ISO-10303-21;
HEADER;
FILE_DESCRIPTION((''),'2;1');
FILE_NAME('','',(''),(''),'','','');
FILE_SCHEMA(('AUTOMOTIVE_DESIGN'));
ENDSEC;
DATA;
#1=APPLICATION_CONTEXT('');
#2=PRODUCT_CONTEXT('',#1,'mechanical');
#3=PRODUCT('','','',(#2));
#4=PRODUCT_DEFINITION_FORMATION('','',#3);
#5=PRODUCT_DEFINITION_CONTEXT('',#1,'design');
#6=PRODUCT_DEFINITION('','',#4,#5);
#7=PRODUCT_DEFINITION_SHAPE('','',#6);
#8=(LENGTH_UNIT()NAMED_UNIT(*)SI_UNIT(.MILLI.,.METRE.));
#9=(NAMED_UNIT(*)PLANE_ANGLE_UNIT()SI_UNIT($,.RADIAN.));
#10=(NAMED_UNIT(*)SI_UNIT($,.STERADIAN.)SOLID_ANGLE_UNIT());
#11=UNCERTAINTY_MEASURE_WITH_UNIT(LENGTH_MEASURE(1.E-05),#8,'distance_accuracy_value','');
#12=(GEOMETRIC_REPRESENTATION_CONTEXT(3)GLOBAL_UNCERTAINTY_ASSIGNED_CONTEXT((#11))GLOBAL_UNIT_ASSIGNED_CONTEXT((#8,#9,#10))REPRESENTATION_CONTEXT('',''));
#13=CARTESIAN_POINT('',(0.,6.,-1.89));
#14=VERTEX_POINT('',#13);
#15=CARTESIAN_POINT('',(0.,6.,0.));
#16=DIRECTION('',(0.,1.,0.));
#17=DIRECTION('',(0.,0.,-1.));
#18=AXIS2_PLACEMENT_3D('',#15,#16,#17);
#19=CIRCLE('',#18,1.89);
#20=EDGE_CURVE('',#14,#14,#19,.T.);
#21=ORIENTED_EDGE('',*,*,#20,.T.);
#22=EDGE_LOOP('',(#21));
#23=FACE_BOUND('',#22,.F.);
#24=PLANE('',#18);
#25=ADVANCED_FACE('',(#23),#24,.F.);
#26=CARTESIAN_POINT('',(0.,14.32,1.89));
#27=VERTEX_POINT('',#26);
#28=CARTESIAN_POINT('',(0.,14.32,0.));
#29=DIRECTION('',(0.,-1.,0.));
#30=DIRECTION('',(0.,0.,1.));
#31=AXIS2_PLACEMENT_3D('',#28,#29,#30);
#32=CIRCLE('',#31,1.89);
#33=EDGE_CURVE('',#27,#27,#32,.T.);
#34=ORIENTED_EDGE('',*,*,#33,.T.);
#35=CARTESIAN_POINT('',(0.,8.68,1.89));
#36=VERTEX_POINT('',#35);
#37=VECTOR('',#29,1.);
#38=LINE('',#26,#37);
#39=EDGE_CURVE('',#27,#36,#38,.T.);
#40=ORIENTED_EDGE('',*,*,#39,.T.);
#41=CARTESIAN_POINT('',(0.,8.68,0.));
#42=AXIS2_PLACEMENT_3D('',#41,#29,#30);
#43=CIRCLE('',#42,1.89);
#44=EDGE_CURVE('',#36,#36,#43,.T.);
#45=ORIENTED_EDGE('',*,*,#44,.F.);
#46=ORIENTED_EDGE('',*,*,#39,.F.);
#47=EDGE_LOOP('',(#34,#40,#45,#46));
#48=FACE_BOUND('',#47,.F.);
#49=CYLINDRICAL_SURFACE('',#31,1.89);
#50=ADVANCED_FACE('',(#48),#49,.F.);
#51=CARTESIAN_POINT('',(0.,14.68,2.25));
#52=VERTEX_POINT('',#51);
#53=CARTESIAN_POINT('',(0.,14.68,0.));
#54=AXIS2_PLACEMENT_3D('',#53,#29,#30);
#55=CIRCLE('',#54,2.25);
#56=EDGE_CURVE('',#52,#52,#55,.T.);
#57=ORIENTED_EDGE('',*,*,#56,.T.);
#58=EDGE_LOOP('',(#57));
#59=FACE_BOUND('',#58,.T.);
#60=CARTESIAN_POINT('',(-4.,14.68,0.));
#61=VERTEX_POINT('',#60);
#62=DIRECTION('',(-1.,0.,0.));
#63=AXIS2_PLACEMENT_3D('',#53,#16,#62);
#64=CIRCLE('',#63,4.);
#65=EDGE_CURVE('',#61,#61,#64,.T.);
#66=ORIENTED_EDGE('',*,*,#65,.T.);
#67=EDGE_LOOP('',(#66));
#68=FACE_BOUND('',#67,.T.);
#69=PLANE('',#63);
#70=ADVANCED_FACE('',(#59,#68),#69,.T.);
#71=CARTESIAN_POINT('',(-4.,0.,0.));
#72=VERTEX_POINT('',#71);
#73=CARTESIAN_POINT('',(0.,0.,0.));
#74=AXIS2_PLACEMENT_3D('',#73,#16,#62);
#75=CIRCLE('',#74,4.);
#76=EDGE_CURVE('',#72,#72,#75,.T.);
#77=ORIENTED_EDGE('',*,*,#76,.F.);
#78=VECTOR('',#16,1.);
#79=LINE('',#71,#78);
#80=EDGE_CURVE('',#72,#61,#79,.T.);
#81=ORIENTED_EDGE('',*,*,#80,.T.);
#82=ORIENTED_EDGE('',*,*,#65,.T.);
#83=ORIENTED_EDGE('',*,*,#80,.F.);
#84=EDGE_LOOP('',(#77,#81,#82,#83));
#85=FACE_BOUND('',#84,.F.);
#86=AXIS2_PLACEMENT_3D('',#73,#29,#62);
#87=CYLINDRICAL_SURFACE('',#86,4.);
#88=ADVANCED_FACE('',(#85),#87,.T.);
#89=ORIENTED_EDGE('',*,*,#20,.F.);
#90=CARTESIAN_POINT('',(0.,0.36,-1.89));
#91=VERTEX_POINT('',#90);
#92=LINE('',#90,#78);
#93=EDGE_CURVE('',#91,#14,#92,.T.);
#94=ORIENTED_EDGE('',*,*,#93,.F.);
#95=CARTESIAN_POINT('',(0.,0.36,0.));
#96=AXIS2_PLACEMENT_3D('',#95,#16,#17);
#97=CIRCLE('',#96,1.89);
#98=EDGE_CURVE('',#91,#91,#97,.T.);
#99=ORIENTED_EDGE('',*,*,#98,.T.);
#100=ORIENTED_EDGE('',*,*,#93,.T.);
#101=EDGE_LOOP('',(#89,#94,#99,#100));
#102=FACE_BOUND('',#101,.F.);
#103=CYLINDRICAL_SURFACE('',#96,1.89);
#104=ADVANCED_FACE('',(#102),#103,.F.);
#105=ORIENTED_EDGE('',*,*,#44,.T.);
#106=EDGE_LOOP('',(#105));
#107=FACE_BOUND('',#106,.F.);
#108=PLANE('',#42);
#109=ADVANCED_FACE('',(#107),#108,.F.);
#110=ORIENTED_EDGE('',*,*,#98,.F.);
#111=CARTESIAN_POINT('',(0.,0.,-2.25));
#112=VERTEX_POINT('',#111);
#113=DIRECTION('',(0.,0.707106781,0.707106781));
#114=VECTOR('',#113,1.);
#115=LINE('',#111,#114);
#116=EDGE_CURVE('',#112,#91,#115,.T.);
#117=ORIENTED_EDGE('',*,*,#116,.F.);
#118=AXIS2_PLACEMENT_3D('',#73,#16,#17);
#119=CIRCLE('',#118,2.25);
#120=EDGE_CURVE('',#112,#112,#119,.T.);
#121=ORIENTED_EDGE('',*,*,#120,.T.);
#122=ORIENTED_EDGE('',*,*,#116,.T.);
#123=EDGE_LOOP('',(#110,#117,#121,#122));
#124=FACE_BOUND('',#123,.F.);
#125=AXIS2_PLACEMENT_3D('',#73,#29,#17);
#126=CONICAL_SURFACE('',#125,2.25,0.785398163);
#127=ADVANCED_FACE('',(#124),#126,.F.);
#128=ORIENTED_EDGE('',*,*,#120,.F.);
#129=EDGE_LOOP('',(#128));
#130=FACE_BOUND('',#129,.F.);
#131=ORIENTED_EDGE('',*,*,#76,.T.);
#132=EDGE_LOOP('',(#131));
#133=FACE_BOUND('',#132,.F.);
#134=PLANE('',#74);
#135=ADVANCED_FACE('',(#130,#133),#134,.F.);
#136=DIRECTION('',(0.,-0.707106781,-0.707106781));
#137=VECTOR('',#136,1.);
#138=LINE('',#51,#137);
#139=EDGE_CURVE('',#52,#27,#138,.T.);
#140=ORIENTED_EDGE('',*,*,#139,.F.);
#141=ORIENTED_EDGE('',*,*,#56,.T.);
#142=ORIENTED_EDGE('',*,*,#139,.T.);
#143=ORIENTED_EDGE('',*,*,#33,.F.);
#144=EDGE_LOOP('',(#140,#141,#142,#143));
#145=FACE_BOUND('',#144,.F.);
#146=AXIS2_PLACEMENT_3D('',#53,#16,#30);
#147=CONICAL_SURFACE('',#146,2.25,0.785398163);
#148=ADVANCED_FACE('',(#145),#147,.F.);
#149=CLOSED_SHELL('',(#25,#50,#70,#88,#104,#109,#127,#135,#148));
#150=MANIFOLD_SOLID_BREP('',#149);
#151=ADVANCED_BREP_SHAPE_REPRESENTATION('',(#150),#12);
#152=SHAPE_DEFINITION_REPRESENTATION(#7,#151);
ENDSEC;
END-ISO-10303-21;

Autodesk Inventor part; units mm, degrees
ref_plane "YZ Plane" through (0, 0, 0) normal (1, 0, 0) x (0, 1, 0)
ref_plane "XZ Plane" through (0, 0, 0) normal (0, 1, 0) x (-1, 0, 0)
ref_plane "XY Plane" through (0, 0, 0) normal (0, 0, 1) x (1, 0, 0)
sketch "Sketch1" plane through (0, 0, 0) normal (0, 1, 0) x (-1, 0, 0)
  circle A0 centre (0, 0) radius 4
  dimension "d0" = 8
extrude "Extrusion1" add sketch "Sketch1" along normal blind 14.68
sketch "Sketch2" plane through (0, 14.68, 0) normal (0, 1, 0) x (1, 0, 0)
  point P0 (0, 0)
sketch "Sketch3" plane through (0, 0, 0) normal (0, -1, 0) x (1, 0, 0)
  point P0 (0, 0)
hole "Hole1" at (0, 0, 0) direction (0, 1, 0) diameter 3.78 depth 6 countersink diameter 4.5 countersink angle 90
hole "Hole2" at (0, 14.68, 0) direction (0, -1, 0) diameter 3.78 depth 6 countersink diameter 4.5 countersink angle 90
properties part number "Button Spacer"
